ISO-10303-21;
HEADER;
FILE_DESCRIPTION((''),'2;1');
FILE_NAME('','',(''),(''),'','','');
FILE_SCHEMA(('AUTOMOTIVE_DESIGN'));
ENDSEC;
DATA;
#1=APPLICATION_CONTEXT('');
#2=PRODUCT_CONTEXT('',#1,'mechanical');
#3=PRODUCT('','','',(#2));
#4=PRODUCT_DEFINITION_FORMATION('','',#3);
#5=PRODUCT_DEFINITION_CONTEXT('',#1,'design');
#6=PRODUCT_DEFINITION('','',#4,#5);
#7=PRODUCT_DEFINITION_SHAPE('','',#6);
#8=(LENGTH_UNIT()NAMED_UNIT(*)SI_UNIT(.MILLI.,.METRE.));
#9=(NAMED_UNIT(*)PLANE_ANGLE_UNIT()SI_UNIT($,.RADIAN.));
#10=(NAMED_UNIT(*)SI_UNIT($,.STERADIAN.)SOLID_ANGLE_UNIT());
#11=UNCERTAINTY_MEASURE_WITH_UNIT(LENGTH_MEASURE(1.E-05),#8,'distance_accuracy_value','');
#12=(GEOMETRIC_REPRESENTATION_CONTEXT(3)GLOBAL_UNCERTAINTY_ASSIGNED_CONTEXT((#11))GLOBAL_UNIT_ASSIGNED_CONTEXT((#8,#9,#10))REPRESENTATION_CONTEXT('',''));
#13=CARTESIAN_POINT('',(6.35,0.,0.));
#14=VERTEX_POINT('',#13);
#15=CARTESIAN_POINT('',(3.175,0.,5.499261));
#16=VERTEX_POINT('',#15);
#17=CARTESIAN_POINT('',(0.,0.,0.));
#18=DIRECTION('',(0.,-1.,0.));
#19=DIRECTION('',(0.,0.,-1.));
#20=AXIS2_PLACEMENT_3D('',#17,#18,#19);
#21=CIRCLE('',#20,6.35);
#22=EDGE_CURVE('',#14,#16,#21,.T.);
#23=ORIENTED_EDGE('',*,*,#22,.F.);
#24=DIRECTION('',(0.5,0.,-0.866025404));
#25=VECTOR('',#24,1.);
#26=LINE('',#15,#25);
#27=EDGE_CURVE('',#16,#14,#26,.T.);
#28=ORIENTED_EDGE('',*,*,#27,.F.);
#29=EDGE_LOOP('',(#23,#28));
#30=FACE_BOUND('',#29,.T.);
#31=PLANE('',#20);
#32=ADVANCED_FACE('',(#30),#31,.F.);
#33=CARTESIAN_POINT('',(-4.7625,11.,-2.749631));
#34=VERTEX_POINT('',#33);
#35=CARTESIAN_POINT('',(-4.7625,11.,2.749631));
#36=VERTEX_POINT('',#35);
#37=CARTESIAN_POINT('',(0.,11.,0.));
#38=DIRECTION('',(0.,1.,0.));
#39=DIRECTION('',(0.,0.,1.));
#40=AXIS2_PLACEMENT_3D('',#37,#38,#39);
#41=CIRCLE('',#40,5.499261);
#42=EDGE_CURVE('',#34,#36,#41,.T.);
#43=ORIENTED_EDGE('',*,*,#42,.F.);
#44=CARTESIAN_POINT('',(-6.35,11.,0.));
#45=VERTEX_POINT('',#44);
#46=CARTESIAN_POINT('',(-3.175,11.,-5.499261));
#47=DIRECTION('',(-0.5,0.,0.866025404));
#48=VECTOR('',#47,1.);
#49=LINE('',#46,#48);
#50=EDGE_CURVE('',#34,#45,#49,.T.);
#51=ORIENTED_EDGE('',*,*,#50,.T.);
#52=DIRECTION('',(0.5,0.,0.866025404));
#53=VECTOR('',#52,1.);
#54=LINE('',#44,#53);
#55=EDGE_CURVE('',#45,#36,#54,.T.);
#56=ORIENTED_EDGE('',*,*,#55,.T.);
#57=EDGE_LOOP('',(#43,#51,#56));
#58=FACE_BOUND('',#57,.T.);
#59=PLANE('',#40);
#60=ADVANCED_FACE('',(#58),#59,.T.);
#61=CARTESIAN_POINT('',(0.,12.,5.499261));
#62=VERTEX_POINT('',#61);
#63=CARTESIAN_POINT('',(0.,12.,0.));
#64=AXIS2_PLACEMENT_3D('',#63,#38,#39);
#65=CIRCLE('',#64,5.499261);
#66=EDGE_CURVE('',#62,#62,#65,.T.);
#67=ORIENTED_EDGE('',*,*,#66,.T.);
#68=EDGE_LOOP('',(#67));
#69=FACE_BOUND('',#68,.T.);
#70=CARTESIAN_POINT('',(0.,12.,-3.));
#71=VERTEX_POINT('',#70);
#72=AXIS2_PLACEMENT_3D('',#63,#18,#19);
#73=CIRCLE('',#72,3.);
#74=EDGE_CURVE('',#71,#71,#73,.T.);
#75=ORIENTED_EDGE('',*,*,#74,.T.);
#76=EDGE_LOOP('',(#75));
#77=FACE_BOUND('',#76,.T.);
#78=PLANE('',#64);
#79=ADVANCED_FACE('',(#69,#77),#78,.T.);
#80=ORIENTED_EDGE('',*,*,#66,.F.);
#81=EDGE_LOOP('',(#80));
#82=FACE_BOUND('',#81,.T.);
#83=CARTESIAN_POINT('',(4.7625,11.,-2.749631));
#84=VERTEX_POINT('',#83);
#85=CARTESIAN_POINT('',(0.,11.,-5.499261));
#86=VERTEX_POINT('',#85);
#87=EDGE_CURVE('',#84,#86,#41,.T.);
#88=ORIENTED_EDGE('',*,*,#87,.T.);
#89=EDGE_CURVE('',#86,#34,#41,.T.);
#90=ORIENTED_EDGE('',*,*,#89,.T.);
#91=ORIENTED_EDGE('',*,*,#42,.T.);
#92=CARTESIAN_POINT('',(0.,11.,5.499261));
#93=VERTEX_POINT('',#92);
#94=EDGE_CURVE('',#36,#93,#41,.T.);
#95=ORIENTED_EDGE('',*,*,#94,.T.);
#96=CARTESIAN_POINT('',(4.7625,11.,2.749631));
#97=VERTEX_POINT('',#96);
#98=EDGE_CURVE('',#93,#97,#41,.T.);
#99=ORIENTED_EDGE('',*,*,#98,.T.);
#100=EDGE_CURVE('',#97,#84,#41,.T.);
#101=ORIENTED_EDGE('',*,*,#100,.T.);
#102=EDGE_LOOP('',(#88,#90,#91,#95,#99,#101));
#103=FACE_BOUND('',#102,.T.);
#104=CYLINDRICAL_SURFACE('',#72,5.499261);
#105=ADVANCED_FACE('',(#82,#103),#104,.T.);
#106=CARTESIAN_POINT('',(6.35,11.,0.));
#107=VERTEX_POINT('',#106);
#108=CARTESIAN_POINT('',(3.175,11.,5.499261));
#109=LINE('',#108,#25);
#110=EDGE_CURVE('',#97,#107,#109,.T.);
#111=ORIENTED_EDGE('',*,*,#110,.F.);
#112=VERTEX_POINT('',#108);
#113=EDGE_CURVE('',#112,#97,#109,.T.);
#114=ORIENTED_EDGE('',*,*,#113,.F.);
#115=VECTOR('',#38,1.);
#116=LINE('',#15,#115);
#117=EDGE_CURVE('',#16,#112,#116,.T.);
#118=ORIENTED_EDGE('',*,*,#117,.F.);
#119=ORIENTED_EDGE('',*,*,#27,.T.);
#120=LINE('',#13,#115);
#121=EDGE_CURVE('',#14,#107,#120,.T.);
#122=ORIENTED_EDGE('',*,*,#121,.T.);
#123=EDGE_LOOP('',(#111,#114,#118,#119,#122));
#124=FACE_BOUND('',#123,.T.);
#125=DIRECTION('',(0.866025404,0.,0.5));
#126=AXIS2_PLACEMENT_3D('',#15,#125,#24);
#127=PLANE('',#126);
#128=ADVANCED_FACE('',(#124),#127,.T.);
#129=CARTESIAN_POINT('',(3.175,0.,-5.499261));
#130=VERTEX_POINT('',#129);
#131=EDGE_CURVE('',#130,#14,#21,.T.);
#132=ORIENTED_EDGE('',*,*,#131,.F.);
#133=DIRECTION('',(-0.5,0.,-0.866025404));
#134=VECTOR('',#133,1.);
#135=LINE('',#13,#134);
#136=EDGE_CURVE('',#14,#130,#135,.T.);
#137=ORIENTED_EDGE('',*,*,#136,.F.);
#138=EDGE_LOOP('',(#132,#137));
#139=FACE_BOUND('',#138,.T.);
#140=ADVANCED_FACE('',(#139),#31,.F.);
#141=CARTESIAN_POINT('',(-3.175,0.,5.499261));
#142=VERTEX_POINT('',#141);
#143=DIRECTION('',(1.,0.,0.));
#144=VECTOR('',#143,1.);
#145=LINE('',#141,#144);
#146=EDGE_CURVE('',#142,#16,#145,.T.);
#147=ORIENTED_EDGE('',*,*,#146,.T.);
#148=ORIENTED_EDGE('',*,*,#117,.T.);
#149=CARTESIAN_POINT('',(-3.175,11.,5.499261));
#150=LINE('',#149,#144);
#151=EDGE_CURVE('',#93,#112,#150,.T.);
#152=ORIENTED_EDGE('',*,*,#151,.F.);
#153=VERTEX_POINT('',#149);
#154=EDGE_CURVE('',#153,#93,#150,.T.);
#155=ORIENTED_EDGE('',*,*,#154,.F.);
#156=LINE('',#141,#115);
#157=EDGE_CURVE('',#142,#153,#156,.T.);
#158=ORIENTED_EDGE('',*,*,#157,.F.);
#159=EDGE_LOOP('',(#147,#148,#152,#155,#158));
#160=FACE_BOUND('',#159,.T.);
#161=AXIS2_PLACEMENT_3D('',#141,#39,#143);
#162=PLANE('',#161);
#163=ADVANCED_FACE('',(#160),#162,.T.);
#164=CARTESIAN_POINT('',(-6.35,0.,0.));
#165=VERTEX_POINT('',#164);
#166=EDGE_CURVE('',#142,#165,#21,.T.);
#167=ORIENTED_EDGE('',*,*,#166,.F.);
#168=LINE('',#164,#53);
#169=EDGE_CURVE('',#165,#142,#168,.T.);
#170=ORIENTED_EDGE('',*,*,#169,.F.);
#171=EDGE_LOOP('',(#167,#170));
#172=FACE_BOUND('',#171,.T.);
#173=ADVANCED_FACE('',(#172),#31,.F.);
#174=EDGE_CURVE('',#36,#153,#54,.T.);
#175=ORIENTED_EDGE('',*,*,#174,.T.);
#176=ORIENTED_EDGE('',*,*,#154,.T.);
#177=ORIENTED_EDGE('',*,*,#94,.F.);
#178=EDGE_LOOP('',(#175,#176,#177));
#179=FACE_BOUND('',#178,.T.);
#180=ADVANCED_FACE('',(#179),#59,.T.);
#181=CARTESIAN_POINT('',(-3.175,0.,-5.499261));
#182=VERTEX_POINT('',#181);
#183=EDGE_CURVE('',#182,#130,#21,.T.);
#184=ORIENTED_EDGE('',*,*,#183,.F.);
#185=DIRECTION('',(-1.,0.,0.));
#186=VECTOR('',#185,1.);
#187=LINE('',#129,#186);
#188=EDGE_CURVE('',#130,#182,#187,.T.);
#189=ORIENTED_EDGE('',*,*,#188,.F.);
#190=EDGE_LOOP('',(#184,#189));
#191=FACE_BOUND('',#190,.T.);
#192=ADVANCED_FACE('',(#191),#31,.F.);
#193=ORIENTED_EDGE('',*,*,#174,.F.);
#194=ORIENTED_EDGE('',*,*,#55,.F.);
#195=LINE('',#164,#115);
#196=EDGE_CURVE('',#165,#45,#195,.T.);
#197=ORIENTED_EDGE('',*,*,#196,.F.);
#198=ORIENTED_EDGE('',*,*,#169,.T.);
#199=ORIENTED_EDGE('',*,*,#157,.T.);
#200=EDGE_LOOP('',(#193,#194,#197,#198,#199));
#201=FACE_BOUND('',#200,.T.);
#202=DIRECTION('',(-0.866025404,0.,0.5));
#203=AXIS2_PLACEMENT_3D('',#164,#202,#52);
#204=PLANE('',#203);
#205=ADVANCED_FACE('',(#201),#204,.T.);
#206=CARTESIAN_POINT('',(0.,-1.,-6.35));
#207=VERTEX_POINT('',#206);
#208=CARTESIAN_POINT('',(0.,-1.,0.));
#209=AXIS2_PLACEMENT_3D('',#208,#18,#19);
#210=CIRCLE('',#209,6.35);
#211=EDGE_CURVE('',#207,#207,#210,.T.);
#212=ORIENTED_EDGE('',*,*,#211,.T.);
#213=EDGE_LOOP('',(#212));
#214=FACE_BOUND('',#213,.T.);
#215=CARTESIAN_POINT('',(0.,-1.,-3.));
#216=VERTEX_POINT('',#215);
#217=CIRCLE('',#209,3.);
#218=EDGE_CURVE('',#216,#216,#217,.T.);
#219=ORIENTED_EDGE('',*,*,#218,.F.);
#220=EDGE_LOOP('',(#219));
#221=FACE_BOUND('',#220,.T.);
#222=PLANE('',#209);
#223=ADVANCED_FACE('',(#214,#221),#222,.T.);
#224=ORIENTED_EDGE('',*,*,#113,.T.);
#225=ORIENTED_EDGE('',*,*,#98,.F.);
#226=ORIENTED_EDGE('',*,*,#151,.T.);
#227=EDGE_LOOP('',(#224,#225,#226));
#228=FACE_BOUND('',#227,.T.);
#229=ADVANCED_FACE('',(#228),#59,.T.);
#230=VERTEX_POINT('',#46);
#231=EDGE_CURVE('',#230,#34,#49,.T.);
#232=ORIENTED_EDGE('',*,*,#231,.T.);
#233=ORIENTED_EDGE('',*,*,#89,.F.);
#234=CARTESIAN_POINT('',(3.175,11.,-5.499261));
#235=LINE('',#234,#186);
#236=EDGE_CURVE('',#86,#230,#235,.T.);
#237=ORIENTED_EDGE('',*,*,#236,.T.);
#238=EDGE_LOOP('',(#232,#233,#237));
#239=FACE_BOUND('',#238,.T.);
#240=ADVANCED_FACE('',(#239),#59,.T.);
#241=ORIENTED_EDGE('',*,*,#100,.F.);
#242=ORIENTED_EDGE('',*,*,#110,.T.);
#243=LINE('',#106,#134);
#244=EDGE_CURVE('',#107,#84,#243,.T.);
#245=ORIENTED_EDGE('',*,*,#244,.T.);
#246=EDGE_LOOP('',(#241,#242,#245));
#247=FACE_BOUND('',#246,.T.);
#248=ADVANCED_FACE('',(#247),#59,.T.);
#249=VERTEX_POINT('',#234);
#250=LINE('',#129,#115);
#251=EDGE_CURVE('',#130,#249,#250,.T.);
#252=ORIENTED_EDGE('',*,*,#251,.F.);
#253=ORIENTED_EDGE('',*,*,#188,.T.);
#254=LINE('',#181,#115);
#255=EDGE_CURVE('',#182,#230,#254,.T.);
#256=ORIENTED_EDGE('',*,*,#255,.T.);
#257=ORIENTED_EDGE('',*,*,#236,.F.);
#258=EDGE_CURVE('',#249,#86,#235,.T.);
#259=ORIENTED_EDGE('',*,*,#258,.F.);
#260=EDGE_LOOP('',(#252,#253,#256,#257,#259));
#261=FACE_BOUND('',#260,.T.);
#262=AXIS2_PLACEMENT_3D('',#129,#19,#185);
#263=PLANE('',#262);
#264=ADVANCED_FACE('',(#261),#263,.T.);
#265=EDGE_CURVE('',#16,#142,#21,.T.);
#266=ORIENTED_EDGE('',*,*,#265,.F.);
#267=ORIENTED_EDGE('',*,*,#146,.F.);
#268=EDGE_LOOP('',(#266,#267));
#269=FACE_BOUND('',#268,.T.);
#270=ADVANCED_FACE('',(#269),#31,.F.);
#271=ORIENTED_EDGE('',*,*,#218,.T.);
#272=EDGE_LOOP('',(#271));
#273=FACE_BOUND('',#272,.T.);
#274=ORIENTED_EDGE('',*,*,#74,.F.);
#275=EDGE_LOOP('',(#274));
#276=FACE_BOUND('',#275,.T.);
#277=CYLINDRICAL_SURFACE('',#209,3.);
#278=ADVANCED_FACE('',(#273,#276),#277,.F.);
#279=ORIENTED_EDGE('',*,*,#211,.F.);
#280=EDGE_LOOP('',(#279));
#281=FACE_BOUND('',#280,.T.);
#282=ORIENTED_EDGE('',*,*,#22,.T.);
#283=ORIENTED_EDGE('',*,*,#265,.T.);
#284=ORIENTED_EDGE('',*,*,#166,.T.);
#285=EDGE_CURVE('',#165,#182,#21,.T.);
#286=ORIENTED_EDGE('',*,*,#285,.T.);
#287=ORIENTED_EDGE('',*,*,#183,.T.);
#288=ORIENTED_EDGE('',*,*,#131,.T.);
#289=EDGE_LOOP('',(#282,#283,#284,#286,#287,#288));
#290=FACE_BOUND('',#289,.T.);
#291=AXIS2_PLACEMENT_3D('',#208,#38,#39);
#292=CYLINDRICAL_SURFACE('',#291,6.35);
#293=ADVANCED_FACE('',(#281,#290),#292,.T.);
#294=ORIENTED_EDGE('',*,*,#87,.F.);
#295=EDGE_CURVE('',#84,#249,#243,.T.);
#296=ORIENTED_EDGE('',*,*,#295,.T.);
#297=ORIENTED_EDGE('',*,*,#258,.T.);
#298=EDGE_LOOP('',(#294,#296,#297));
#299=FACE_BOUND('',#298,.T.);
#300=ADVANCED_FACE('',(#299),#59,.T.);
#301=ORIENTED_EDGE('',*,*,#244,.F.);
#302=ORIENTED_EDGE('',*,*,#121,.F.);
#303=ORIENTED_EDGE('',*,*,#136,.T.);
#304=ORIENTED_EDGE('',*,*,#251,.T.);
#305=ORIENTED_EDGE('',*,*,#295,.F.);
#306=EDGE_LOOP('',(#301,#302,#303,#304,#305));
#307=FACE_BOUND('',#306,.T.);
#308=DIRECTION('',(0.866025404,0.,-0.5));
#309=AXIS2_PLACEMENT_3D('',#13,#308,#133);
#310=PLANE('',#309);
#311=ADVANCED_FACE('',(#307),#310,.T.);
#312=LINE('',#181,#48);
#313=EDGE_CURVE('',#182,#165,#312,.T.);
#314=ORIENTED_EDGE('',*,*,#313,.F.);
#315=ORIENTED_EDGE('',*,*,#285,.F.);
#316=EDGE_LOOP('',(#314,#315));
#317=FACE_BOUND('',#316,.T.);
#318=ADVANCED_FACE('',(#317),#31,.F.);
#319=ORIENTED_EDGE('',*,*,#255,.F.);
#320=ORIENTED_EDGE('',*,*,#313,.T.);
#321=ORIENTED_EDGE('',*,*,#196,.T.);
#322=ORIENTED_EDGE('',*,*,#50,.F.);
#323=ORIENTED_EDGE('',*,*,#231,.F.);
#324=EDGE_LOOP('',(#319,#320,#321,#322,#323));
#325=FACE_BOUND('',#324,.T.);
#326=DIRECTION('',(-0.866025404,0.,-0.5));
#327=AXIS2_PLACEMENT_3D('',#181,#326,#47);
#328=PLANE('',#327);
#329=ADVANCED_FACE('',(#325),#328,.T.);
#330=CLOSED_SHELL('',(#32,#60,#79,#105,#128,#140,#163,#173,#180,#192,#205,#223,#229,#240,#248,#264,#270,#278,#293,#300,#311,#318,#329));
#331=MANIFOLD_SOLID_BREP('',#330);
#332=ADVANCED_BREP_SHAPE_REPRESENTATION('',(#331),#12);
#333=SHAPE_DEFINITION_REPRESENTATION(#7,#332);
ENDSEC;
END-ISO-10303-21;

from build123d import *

# Parameters (mm, degrees)
ESTRUSIONE_ESTRUSIONE1_DEPTH = 11
SCHIZZO2_R                   = 6.35
ESTRUSIONE_ESTRUSIONE2_DEPTH = 1
SCHIZZO3_R                   = 5.499261314
ESTRUSIONE_ESTRUSIONE3_DEPTH = 1
FORO_0_6_0_6_1_D             = 6
FORO_0_6_0_6_1_DEPTH         = 13


with BuildPart() as part:
    # Schizzo1 → Estrusione-Estrusione1 (new body)
    with BuildSketch(Plane(origin=(0, 11, 0), x_dir=(1, 0, 0), z_dir=(0, 1, 0))):
        Polygon((-3.175, 5.499261314), (-6.35, 0), (-3.175, -5.499261314), (3.175, -5.499261314), (6.35, 0), (3.175, 5.499261314), align=None)
    extrude(amount=-ESTRUSIONE_ESTRUSIONE1_DEPTH)

    # Schizzo2 → Estrusione-Estrusione2 (add)
    with BuildSketch(Plane.XZ):
        Circle(SCHIZZO2_R)
    extrude(amount=ESTRUSIONE_ESTRUSIONE2_DEPTH)

    # Schizzo3 → Estrusione-Estrusione3 (add)
    with BuildSketch(Plane(origin=(0, 11, 0), x_dir=(-1, 0, 0), z_dir=(0, 1, 0))):
        Circle(SCHIZZO3_R)
    extrude(amount=ESTRUSIONE_ESTRUSIONE3_DEPTH)

    # Foro Ø0.6 (0.6)-1
    with Locations(Plane(origin=(0, -1, 0), x_dir=(-1, 0, 0), z_dir=(0, -1, 0))):
        with Locations((0, 0)):
            Hole(FORO_0_6_0_6_1_D / 2, depth=FORO_0_6_0_6_1_DEPTH)


solid = part.part
